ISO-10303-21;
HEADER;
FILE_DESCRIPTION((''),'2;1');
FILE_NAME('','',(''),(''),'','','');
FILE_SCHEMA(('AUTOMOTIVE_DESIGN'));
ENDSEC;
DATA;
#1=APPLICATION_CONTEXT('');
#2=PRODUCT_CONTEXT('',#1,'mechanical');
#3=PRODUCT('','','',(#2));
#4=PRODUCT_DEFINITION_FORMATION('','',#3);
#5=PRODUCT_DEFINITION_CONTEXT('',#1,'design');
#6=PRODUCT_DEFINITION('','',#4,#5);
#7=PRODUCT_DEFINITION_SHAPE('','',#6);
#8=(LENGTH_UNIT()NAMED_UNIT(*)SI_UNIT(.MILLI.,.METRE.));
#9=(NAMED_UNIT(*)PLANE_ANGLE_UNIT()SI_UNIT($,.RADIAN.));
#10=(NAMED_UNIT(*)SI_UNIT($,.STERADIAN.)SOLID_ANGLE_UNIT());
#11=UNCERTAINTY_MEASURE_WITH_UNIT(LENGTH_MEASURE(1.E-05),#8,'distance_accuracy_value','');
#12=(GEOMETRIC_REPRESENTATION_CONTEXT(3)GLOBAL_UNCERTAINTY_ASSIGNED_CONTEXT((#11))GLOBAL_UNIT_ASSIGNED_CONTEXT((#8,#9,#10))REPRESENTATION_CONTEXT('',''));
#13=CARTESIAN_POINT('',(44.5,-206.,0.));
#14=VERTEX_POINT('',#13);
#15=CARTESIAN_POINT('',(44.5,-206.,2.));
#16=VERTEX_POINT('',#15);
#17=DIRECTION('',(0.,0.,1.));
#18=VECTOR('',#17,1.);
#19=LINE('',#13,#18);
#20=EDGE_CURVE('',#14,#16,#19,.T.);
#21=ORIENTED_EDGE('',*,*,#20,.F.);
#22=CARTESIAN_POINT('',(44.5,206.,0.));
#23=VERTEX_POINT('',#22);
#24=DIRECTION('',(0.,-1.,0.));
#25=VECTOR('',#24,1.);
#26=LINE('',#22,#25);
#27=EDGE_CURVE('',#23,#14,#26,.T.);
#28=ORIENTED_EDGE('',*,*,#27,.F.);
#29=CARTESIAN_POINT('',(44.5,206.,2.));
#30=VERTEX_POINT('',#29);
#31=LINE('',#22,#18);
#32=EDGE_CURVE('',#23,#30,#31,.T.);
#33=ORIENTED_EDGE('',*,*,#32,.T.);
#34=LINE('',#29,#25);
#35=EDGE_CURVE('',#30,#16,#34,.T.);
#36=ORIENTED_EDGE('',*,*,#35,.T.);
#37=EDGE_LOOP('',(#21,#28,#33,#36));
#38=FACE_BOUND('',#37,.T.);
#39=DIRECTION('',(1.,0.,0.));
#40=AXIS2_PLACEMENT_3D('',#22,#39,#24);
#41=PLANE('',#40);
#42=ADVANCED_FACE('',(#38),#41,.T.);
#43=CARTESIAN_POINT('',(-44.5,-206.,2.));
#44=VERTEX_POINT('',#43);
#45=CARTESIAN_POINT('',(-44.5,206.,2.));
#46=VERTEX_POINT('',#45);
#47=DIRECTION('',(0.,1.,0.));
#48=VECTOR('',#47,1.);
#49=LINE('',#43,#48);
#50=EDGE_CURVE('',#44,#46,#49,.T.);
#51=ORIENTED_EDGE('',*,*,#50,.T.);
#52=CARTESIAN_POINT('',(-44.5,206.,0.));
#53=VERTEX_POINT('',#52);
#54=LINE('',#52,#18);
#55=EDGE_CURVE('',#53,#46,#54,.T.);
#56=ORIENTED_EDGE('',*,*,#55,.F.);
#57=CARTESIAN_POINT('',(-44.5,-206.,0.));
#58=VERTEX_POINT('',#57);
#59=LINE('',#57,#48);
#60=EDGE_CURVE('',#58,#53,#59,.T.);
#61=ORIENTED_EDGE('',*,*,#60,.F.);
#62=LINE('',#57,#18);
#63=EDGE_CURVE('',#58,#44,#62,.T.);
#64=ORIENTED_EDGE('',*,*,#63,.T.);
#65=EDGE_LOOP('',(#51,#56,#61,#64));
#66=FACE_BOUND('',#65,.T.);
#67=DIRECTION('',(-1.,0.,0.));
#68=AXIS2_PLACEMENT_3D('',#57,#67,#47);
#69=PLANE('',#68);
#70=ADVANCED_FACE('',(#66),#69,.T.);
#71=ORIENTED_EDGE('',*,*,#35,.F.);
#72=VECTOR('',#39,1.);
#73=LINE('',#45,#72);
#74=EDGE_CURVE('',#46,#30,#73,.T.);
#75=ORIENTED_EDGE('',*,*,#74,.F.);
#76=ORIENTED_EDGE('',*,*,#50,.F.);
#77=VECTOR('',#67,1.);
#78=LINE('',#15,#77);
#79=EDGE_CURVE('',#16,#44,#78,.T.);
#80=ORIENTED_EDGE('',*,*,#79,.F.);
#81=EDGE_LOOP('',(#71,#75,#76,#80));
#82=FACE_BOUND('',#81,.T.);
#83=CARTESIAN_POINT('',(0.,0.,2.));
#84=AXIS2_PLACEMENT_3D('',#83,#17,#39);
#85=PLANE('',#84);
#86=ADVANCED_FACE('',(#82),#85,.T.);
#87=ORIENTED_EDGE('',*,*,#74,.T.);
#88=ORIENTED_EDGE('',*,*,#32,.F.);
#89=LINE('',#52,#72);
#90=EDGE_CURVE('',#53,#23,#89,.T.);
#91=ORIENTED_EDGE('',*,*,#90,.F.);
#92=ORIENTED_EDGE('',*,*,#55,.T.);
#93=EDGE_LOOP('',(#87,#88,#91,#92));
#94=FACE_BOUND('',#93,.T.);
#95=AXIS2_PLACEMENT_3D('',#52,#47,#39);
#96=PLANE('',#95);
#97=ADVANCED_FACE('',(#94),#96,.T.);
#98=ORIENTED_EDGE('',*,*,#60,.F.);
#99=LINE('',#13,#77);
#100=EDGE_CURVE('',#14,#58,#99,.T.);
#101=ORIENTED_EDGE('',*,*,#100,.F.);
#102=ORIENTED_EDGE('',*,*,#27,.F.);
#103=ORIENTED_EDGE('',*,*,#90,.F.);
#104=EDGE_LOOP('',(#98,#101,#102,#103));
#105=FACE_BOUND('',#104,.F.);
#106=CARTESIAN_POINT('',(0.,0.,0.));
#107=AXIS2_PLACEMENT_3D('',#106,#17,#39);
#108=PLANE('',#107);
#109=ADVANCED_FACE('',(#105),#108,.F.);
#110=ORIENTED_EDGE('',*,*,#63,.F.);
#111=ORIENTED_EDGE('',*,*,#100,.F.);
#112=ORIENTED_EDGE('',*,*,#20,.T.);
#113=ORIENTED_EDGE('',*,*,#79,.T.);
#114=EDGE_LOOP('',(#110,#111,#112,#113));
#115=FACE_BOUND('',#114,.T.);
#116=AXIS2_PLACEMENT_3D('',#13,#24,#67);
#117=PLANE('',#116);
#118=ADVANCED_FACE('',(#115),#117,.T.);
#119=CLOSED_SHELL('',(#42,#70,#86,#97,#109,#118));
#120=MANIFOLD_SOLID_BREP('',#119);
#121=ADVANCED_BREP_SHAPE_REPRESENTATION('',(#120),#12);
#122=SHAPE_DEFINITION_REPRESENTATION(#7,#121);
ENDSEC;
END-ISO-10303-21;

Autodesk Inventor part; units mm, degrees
ref_plane "YZ Plane" through (0, 0, 0) normal (1, 0, 0) x (0, 1, 0)
ref_plane "XZ Plane" through (0, 0, 0) normal (0, 1, 0) x (-1, 0, 0)
ref_plane "XY Plane" through (0, 0, 0) normal (0, 0, 1) x (1, 0, 0)
sketch "Sketch1" plane through (0, 0, 0) normal (0, 0, 1) x (1, 0, 0)
  line L0 (0, -288.4) -> (0, 288.4) construction
  line L1 (-62.3, 0) -> (62.3, 0) construction
  line L2 (44.5, -206) -> (-44.5, -206)
  line L3 (-44.5, -206) -> (-44.5, 206)
  line L4 (-44.5, 206) -> (44.5, 206)
  line L5 (44.5, 206) -> (44.5, -206)
  line L6 (44.5, -206) -> (-44.5, 206) construction
  line L7 (-44.5, -206) -> (44.5, 206) construction
  point P0 (0, 0)
  dimension "d0" = 89
  dimension "d1" = 412
extrude "Extrusion1" add sketch "Sketch1" along normal blind 2
properties part number "BodyCover"
